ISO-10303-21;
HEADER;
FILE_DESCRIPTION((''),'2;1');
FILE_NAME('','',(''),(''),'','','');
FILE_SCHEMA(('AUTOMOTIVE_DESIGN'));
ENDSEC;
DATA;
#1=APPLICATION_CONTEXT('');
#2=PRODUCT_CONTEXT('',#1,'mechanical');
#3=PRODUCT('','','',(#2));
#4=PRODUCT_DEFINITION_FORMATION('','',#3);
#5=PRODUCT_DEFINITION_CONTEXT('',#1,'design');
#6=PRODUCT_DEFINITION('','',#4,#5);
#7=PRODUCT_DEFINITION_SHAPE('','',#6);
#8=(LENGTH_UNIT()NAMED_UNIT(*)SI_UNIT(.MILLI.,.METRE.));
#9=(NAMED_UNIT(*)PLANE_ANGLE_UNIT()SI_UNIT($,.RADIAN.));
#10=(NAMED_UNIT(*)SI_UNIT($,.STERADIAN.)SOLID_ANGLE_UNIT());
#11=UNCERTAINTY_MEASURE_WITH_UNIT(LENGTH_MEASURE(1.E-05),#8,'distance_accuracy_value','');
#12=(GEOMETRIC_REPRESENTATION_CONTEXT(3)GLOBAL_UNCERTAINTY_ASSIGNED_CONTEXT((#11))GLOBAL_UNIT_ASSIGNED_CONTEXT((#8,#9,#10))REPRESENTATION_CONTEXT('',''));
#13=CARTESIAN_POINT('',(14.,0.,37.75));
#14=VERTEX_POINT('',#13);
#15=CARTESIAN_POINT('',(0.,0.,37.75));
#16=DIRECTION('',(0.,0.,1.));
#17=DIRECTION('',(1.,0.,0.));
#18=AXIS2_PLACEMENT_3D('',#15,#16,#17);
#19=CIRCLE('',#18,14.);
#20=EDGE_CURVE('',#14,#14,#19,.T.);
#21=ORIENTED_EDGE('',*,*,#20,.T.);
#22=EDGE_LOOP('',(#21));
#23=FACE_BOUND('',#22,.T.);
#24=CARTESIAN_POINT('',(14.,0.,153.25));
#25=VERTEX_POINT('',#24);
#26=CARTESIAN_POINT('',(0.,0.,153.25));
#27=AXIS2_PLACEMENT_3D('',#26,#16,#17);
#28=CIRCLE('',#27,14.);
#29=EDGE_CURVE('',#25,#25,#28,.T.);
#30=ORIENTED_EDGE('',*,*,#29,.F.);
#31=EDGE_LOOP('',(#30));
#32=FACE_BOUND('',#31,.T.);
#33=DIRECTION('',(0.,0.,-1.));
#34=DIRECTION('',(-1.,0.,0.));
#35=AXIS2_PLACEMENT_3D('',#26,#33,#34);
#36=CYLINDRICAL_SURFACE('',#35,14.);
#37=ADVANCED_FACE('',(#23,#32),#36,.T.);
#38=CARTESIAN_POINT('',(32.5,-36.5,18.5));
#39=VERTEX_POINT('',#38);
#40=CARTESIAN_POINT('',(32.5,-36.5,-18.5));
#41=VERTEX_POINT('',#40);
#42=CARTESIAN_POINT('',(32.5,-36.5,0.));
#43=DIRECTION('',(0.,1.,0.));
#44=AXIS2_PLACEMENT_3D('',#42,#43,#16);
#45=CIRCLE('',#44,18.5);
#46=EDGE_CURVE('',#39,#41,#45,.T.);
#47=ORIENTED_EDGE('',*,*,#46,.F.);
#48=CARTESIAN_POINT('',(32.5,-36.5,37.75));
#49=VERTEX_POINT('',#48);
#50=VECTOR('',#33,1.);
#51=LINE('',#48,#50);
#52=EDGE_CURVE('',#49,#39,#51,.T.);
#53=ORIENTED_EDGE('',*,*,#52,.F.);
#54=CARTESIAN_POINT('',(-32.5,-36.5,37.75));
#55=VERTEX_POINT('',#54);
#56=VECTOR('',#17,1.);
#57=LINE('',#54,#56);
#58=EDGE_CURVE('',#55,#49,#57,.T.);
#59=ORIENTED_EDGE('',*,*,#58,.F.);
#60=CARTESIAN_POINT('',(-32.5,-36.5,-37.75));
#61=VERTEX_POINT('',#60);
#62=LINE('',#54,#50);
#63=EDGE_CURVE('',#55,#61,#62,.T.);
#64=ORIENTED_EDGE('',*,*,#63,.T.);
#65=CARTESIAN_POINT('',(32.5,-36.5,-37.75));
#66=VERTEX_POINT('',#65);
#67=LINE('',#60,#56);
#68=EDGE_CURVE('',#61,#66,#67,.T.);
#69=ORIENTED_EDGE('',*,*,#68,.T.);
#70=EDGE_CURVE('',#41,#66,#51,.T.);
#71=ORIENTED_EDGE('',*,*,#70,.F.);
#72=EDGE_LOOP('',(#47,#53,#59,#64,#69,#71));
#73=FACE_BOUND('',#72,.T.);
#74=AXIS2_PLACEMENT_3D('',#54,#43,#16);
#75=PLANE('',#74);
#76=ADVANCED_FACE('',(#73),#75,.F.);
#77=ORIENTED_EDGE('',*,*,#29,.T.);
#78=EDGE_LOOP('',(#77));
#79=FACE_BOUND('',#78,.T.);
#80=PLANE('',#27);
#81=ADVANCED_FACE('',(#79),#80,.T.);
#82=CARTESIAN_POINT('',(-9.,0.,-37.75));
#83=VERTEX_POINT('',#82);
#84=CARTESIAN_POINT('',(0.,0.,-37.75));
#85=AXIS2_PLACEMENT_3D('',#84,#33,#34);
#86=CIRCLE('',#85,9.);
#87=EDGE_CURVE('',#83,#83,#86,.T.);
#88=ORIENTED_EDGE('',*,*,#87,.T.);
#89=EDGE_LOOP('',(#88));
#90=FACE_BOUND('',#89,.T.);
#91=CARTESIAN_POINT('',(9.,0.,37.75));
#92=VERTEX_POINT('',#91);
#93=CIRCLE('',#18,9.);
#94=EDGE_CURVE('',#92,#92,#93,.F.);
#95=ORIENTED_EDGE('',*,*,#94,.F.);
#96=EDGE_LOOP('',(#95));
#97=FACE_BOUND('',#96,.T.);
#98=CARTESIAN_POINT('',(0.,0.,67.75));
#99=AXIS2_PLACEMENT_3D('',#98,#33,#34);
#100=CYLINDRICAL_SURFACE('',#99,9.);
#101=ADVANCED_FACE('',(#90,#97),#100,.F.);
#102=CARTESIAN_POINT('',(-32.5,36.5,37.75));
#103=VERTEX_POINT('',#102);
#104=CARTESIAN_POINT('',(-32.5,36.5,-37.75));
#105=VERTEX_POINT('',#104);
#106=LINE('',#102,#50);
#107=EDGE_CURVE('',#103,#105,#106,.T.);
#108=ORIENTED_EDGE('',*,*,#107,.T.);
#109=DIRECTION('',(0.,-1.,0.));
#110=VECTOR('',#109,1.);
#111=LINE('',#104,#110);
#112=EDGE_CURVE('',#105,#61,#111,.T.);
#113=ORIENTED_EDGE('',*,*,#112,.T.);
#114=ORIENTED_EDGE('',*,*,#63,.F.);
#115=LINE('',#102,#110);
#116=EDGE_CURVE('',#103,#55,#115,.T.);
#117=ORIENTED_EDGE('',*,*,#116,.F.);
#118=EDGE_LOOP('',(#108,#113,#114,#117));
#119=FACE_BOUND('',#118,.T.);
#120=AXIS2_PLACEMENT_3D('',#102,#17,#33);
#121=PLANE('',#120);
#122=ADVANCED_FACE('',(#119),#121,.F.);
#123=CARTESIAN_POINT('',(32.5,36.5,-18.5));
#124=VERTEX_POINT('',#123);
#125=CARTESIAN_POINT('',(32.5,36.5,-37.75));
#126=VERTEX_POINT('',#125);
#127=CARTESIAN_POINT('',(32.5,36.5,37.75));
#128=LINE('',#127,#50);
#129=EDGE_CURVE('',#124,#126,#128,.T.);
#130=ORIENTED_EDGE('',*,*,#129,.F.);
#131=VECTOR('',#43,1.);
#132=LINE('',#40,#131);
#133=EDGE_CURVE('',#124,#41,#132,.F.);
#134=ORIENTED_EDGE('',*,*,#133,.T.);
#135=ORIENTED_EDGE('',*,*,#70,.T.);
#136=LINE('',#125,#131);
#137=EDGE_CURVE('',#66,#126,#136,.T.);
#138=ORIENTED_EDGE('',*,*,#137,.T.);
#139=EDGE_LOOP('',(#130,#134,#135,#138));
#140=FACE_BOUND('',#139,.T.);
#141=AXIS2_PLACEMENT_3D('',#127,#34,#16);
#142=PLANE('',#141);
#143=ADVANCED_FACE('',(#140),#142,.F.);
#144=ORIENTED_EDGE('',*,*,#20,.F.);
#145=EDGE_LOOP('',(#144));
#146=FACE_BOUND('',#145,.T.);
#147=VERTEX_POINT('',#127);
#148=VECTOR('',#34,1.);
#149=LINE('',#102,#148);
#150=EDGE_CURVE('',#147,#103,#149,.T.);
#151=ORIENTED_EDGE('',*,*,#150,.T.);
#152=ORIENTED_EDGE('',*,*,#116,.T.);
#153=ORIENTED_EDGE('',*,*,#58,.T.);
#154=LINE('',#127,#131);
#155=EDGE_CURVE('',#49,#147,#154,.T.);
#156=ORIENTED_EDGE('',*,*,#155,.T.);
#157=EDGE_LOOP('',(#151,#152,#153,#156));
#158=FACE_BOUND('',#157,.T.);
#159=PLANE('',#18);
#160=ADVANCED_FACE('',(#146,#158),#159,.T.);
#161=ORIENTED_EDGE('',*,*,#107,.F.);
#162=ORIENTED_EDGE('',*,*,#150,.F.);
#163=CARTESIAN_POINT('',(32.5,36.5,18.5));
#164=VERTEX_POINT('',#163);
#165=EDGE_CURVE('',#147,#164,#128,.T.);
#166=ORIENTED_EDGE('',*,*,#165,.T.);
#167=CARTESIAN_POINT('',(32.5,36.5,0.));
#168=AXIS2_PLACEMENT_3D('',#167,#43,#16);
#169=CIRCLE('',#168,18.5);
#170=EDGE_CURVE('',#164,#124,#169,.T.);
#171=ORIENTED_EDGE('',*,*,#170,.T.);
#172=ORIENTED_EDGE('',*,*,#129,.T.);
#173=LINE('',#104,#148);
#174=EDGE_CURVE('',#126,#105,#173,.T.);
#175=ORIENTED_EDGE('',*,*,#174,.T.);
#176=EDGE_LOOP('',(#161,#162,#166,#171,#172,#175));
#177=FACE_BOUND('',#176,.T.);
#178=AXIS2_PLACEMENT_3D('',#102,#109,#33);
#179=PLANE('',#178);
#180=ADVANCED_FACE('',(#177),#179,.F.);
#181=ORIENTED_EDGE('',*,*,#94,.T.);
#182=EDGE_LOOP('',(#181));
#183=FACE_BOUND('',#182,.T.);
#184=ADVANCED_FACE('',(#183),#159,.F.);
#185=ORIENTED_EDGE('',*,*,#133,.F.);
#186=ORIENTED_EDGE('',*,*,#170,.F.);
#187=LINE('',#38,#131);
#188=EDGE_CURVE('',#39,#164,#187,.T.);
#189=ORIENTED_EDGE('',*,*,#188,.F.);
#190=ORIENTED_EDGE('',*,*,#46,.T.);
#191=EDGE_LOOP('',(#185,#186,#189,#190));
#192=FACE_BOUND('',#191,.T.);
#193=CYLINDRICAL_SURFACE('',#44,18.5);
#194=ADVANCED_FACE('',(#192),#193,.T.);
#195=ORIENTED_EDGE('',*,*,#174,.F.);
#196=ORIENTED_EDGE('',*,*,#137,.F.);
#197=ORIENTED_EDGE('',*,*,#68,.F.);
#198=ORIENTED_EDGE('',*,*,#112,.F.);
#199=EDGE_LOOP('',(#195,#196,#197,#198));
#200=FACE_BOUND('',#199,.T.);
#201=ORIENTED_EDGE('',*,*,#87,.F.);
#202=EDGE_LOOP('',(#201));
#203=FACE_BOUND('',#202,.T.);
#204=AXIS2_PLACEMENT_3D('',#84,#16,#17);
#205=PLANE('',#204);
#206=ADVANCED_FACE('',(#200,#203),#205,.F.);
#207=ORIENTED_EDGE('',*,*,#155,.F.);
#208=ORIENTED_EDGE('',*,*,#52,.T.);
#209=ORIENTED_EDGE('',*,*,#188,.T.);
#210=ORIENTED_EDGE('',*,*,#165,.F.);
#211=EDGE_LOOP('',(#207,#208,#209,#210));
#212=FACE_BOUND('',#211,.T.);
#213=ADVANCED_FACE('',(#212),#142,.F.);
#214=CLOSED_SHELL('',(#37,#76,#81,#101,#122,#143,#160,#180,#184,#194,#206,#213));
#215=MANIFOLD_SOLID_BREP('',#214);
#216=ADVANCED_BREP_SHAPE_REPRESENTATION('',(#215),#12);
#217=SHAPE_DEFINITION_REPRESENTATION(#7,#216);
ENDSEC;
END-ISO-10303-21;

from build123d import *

# Parameters (mm, degrees)
ESBO_O1_W                = 65
ESBO_O1_H                = 73
RESSALTO_EXTRUS_O1_DEPTH = 37.75
ESBO_O2_R                = 9
CORTE_EXTRUS_O1_DEPTH    = 105.5
ESBO_O3_R                = 14
RESSALTO_EXTRUS_O2_DEPTH = 115.5
ESBO_O4_R                = 18.5
RESSALTO_EXTRUS_O3_DEPTH = 73


with BuildPart() as part:
    # Esboço1 → Ressalto-extrusão1 (new body, symmetric)
    with BuildSketch(Plane.XY):
        Rectangle(ESBO_O1_W, ESBO_O1_H)
    extrude(amount=RESSALTO_EXTRUS_O1_DEPTH, both=True)

    # Esboço2 → Corte-extrusão1 (cut)
    with BuildSketch(Plane(origin=(0, 0, -37.75), x_dir=(-1, 0, 0), z_dir=(0, 0, -1))):
        Circle(ESBO_O2_R)
    extrude(amount=-CORTE_EXTRUS_O1_DEPTH, mode=Mode.SUBTRACT)

    # Esboço3 → Ressalto-extrusão2 (add)
    with BuildSketch(Plane.XY.offset(37.75)):
        Circle(ESBO_O3_R)
    extrude(amount=RESSALTO_EXTRUS_O2_DEPTH)

    # Esboço4 → Ressalto-extrusão3 (add)
    with BuildSketch(Plane(origin=(0, 36.5, 0), x_dir=(1, 0, 0), z_dir=(0, 1, 0))):
        with Locations((32.5, 0)):
            Circle(ESBO_O4_R)
    extrude(amount=-RESSALTO_EXTRUS_O3_DEPTH)


solid = part.part
